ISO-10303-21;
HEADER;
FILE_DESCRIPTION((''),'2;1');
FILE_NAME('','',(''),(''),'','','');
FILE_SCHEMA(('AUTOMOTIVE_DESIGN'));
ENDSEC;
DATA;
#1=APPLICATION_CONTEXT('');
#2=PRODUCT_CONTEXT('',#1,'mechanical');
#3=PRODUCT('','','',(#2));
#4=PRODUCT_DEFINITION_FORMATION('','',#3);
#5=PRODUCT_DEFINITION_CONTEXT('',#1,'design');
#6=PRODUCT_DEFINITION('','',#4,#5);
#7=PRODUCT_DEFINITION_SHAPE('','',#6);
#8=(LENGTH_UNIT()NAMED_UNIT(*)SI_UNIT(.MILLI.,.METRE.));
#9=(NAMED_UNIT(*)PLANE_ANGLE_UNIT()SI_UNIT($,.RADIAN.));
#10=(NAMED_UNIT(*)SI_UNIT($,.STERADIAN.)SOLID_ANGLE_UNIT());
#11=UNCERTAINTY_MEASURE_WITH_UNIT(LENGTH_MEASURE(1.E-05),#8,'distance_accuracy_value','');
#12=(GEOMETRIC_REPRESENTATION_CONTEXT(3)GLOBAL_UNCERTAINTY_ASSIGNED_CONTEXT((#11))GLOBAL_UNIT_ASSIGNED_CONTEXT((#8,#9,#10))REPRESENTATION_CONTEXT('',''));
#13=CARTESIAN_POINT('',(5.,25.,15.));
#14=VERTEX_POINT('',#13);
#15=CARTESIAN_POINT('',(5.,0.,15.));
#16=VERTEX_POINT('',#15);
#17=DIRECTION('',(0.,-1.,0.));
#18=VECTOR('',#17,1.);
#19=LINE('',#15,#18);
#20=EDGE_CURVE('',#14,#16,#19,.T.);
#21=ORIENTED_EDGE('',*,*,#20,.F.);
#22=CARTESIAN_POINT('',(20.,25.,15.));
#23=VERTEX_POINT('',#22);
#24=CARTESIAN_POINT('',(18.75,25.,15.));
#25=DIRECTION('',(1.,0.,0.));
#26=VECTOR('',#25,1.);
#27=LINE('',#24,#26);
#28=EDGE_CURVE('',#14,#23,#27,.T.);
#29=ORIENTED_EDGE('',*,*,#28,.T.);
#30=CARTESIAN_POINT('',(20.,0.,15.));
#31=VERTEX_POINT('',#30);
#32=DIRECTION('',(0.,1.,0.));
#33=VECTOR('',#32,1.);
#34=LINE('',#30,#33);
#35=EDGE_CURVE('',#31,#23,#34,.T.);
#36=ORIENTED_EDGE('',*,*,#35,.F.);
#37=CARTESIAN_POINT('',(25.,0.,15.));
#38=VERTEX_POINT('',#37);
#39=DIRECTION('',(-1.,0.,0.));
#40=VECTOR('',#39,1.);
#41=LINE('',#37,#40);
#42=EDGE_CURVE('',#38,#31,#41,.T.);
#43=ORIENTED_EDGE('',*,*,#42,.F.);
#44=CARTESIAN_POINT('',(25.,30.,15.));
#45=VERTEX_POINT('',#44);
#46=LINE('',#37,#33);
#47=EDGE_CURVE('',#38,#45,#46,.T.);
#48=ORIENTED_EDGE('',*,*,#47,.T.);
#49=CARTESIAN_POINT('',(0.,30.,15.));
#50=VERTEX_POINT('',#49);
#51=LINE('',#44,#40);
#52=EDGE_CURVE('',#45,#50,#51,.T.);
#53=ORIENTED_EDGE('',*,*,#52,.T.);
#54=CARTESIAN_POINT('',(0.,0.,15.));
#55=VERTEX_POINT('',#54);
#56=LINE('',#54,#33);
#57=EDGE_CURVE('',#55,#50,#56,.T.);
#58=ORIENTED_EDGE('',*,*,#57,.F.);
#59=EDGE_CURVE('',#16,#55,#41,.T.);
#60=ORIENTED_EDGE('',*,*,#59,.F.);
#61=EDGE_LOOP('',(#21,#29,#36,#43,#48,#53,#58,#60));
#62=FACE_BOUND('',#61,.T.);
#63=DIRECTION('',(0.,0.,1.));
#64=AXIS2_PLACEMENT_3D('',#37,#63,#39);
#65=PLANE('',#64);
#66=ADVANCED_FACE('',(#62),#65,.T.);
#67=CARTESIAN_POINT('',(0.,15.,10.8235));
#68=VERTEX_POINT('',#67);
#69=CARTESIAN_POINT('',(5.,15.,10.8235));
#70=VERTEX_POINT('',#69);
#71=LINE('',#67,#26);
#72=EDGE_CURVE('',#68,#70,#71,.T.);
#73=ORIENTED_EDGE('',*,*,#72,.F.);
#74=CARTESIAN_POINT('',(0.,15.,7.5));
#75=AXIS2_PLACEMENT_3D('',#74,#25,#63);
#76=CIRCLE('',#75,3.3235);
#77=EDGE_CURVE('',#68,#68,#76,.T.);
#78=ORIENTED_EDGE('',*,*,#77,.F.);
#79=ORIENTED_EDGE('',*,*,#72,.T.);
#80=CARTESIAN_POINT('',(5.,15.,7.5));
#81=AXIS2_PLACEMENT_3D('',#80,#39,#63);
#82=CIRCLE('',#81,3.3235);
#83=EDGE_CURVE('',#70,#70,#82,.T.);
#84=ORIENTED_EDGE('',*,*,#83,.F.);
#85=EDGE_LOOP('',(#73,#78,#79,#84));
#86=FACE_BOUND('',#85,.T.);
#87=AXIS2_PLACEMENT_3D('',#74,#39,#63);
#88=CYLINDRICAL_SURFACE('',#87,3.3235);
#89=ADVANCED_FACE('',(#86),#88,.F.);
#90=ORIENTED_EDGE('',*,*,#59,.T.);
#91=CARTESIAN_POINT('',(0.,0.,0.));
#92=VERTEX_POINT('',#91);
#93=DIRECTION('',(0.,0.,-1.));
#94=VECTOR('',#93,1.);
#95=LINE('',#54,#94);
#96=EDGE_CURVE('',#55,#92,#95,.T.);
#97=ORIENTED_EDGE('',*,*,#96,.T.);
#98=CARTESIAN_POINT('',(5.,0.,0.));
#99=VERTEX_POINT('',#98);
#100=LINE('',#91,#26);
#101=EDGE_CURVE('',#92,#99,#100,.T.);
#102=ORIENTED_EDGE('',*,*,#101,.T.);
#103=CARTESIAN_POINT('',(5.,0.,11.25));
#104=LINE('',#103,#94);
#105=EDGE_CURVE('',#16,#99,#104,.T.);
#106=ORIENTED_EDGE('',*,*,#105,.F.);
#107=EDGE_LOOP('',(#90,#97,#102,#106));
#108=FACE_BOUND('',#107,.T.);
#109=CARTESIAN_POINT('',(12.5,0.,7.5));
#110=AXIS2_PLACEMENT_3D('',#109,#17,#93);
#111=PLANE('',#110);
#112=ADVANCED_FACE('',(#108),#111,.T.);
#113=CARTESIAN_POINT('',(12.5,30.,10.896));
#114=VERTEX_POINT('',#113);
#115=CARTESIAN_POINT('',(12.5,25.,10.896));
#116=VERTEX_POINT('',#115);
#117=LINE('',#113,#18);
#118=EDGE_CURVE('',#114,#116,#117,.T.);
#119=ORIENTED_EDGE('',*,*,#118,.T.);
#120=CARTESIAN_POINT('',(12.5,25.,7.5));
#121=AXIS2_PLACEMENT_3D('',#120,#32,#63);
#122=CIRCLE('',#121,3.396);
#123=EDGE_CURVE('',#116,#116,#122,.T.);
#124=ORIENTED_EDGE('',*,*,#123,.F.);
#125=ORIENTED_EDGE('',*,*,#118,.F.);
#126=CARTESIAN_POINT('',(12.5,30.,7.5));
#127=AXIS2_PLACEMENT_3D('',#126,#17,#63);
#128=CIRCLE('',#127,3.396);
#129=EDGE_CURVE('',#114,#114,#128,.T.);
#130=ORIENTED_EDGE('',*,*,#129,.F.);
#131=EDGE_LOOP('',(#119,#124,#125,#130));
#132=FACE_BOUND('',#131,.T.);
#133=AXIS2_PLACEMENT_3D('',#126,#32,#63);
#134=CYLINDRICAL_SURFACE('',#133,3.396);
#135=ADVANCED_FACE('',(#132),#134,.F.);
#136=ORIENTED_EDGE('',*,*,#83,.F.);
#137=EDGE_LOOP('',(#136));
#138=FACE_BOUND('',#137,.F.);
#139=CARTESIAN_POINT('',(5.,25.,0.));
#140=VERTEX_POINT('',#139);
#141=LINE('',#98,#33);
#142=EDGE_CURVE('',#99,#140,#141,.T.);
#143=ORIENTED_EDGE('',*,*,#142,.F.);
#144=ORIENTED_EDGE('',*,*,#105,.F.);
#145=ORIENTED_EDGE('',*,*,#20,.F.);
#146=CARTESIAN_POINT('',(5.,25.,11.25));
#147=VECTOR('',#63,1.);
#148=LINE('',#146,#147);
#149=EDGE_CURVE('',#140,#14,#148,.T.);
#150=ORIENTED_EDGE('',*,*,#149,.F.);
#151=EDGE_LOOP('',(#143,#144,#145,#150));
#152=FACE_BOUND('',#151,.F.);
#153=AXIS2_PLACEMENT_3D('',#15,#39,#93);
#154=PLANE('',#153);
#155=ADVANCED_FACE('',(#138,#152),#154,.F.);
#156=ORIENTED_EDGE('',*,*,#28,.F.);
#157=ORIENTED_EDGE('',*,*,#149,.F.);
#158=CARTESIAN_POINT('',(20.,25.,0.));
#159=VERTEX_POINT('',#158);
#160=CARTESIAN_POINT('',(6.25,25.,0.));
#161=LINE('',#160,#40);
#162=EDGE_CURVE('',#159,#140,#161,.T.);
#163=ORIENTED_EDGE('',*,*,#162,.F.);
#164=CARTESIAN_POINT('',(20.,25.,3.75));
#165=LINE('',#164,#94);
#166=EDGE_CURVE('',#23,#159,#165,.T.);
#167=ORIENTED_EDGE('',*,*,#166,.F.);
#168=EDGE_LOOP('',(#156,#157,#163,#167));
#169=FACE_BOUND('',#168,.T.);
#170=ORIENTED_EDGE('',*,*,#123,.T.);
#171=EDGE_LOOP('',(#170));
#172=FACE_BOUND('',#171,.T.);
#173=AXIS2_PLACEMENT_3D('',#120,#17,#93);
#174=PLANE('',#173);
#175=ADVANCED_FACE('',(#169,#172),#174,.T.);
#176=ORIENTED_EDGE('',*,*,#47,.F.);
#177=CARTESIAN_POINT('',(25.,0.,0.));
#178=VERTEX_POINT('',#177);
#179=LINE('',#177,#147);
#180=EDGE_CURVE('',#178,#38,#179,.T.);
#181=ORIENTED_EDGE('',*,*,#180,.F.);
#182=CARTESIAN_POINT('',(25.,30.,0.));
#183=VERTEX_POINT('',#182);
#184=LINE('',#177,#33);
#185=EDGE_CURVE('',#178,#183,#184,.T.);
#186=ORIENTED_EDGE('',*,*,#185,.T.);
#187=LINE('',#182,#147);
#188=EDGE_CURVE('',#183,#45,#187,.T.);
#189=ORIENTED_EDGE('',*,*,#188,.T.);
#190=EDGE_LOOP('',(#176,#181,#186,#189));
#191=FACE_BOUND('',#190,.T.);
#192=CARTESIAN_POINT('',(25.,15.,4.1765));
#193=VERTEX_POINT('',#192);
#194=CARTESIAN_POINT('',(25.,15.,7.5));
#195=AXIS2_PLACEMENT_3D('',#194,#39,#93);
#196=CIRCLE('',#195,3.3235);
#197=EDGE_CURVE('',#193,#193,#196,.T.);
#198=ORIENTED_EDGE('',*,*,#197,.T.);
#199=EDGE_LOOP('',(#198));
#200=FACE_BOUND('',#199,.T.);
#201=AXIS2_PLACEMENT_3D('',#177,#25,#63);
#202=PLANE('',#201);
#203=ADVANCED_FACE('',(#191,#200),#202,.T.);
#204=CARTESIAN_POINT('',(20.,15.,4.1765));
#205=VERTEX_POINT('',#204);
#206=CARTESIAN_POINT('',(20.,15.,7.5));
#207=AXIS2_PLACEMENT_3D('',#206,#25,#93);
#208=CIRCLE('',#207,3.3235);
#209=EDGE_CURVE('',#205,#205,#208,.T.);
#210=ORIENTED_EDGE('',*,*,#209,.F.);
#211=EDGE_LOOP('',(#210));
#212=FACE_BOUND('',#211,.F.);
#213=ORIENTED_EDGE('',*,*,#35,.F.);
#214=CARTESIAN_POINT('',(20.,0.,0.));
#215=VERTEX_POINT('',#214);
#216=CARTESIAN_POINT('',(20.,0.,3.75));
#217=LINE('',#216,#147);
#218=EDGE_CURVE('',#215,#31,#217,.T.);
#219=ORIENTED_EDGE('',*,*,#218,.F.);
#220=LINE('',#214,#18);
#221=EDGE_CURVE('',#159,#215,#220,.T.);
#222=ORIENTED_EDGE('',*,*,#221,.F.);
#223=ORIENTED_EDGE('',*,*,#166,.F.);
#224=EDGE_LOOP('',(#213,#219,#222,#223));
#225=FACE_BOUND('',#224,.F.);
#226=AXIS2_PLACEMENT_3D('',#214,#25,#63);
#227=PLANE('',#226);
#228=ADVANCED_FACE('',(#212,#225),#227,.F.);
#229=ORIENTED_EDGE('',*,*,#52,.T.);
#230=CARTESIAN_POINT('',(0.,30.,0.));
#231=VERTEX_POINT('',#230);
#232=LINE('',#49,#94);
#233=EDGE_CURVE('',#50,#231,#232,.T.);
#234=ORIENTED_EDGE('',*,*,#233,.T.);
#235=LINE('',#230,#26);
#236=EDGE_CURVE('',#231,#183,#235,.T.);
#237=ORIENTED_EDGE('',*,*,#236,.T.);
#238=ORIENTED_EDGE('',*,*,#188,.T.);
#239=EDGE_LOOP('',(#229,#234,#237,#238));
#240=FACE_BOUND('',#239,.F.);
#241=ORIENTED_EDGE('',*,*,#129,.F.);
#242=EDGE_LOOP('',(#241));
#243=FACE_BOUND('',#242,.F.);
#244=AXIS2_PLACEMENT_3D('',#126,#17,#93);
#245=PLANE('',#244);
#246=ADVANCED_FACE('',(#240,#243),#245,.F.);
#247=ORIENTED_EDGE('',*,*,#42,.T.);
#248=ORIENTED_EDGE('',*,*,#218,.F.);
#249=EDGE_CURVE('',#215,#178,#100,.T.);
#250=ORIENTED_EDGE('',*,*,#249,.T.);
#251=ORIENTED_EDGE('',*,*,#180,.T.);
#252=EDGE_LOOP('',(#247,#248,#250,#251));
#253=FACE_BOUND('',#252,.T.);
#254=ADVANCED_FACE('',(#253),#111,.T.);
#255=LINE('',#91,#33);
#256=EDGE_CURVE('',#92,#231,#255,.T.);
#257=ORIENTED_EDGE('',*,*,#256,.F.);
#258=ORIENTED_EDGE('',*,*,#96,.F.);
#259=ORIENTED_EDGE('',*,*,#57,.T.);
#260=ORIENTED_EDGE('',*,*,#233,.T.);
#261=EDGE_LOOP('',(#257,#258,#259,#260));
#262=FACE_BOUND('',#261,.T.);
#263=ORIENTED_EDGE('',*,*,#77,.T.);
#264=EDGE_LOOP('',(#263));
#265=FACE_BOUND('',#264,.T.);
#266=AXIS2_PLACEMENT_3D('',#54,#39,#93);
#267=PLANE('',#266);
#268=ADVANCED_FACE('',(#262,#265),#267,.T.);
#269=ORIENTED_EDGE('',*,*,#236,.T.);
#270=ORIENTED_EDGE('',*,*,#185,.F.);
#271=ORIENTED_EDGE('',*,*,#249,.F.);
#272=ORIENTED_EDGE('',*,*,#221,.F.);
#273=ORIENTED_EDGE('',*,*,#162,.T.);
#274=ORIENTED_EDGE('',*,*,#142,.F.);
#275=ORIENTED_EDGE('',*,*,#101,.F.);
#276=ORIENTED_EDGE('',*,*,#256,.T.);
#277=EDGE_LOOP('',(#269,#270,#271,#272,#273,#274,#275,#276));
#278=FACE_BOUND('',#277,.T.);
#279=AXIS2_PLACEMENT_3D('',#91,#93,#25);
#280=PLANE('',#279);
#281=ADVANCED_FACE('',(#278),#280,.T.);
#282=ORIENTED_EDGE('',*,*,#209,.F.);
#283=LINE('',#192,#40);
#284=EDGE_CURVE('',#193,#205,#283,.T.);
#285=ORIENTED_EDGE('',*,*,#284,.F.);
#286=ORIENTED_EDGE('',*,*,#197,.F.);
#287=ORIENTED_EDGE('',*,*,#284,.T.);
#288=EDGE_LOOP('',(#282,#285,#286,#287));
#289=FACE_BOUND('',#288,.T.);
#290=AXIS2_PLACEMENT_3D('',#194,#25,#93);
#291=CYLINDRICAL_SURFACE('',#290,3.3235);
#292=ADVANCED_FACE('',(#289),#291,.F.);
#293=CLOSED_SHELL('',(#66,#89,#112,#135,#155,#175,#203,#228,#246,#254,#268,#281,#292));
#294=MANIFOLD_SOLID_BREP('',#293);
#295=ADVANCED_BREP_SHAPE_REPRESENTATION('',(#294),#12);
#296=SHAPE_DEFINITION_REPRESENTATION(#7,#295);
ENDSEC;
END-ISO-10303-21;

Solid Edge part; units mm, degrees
sketch "Sketch1" plane through (0, 0, 0) normal (0, -1, 0) x (1, 0, 0)
  line L0 (0, 0) -> (25, 0)
  line L1 (25, 0) -> (25, 15)
  line L2 (25, 15) -> (0, 15)
  line L3 (0, 15) -> (0, 0)
extrude "Protrusion1" add sketch "Sketch1" against normal blind 30
shell "Thinwall_1" thickness 5 removed faces 3 at (4.4167, 0, 12.65) at (21.0833, 24.7, 15) at (3.9167, 24.7, 0)
hole "Hole_1" at (25, 15, 7.5) direction (-1, 0, 0) diameter 6.647 end up to next thread major 8 thread length 50.8
hole "M8_holes" at (0, 15, 7.5) direction (1, 0, 0) diameter 6.647 end up to next thread major 8 thread length 50.8
hole "Hole_3" at (12.5, 30, 7.5) direction (0, -1, 0) diameter 6.792 end up to next
